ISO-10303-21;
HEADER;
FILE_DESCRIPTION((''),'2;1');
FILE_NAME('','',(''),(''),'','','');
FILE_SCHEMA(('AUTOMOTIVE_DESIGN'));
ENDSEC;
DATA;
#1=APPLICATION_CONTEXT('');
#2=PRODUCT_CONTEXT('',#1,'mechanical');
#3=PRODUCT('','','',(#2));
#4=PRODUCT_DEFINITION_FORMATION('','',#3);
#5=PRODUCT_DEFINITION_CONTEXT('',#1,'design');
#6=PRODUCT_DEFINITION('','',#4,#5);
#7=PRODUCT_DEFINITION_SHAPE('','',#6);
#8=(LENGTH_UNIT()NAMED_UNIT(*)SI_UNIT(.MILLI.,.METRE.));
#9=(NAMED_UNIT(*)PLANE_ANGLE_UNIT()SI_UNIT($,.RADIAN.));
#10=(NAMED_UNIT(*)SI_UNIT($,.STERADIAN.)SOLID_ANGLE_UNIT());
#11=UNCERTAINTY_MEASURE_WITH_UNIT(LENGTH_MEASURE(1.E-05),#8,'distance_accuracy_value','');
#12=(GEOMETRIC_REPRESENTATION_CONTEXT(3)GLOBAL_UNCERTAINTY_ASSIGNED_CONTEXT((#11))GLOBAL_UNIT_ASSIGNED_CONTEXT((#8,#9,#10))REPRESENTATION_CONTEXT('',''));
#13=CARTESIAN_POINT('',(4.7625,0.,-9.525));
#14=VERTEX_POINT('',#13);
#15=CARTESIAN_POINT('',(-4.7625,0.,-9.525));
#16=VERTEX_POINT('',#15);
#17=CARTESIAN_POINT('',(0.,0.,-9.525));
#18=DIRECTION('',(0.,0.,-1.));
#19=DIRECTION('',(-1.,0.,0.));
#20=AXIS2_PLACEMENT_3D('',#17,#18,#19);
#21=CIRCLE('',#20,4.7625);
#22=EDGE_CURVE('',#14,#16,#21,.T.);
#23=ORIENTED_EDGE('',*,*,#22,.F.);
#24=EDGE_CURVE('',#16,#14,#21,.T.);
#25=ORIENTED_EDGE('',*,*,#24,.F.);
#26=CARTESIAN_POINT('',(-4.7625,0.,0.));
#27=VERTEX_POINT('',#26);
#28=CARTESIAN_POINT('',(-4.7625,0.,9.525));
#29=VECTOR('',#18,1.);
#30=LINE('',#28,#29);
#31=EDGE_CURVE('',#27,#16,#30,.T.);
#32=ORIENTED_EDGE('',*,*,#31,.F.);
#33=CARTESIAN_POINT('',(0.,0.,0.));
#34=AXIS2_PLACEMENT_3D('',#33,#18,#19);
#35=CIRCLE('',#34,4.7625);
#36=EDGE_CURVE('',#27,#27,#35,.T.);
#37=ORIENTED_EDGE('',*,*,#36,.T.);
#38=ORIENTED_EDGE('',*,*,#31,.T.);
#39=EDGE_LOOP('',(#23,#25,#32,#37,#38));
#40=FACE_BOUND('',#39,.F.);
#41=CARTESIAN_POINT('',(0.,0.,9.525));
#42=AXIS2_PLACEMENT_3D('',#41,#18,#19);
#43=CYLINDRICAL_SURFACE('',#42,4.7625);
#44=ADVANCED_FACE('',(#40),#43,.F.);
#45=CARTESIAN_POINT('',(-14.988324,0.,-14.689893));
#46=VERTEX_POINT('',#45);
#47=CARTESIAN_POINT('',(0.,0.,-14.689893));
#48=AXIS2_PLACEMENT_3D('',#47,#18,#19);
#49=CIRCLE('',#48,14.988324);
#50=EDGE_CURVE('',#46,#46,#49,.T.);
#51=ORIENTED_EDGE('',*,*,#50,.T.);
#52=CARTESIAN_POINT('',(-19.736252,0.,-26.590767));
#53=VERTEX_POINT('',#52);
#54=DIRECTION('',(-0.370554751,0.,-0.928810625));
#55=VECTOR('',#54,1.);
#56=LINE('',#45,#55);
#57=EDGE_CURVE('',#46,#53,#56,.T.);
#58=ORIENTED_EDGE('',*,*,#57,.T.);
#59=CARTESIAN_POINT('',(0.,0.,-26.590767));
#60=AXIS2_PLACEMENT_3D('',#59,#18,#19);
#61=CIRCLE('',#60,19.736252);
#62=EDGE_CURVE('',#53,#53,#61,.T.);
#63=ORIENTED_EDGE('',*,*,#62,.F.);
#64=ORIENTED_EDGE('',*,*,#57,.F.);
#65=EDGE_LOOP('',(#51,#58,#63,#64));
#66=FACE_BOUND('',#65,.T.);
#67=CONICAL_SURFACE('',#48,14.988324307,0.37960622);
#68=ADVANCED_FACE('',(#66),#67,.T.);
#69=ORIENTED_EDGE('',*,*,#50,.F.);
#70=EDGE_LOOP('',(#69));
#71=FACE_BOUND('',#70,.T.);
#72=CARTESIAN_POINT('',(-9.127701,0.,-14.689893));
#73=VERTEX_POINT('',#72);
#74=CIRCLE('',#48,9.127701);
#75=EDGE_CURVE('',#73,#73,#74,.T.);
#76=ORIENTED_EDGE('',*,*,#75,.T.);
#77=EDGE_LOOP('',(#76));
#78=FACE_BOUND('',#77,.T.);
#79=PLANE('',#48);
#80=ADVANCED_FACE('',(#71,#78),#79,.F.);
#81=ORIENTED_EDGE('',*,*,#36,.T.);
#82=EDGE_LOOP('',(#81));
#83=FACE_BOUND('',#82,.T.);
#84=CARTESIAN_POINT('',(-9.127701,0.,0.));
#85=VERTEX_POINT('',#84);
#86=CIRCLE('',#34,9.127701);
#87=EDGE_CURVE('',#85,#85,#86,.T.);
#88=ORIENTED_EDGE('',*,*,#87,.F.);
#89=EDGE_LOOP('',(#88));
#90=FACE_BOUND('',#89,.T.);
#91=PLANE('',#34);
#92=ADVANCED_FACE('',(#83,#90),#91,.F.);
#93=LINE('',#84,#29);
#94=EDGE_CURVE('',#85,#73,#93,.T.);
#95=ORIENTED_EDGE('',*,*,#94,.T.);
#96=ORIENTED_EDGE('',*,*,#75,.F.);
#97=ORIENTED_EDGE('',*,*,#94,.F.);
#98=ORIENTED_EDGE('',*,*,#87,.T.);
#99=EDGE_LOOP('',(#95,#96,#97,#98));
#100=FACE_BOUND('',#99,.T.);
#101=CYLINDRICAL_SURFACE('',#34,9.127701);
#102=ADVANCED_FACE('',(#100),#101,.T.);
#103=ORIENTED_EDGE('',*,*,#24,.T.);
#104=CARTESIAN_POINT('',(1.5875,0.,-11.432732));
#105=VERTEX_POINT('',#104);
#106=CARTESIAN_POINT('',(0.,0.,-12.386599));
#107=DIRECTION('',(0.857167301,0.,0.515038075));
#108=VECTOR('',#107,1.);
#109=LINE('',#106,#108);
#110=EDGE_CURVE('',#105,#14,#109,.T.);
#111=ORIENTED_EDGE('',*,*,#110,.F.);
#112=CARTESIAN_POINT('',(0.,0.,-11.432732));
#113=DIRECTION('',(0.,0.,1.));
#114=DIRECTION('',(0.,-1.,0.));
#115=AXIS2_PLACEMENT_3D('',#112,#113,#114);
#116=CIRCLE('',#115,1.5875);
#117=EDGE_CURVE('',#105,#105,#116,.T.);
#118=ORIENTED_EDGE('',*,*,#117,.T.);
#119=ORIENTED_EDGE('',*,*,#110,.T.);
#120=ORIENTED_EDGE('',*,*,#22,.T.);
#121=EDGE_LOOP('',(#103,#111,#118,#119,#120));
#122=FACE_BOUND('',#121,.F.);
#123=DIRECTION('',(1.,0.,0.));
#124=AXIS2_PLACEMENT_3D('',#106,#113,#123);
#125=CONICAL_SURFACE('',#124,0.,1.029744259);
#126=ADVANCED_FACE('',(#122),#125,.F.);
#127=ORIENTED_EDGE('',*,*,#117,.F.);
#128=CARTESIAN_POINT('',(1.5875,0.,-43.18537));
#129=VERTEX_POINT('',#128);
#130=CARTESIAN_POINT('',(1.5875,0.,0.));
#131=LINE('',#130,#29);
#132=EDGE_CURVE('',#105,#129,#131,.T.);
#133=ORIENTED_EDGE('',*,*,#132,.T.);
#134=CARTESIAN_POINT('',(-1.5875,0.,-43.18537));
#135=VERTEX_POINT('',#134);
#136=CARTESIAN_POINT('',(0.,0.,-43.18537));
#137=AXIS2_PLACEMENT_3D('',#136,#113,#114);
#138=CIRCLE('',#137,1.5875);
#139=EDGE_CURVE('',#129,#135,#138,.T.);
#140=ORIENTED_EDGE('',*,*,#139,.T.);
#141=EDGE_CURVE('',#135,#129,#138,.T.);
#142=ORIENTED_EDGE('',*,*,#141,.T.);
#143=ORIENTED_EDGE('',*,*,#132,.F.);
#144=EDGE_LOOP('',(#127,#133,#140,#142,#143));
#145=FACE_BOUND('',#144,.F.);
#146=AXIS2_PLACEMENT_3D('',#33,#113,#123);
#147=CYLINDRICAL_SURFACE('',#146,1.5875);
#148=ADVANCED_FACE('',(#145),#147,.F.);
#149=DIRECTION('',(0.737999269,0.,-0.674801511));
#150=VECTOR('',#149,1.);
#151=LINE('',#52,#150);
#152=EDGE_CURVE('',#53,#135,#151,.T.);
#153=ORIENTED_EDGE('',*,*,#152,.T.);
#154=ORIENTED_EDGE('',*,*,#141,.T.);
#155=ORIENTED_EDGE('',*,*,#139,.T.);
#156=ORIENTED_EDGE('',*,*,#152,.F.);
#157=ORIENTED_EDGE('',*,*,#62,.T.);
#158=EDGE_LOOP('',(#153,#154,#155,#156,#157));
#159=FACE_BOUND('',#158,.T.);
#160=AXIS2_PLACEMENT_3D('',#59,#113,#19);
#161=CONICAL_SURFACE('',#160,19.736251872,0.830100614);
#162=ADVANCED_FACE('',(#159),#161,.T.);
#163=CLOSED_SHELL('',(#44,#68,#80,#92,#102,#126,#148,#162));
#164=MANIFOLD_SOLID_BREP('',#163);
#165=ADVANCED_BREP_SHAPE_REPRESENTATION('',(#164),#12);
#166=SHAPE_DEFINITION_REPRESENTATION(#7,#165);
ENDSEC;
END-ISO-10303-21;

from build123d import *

# Parameters (mm, degrees)
F3_D     = 9.525
F3_DEPTH = 9.525
F3_TIP   = 2.8615986981
F4_R     = 1.5875
F5_DEPTH = 48.27


with BuildPart() as f1:
    # F0 (on Front) → F1 (revolve)
    with BuildSketch(Plane.XZ):
        Polygon((0, -44.6369265472), (0, 0), (-9.1277007014, 0), (-9.1277007014, -14.6898925304), (-14.9883243068, -14.6898925304), (-19.7362518723, -26.5907669723), align=None)
    revolve(axis=Axis((0, 0, -22.3184632736), (0, 0, -1)))

    # F3
    with Locations(Plane.XY):
        with Locations((0, 0)):
            Hole(F3_D / 2, depth=F3_DEPTH)
            with Locations((0, 0, -(F3_DEPTH + F3_TIP / 2))):  # 118° drill point
                Cone(0, F3_D / 2, F3_TIP, mode=Mode.SUBTRACT)

    # F4 (on Top) → F5 (cut)
    with BuildSketch(Plane.XY):
        Circle(F4_R)
    extrude(amount=-F5_DEPTH, mode=Mode.SUBTRACT)


solid = f1.part
